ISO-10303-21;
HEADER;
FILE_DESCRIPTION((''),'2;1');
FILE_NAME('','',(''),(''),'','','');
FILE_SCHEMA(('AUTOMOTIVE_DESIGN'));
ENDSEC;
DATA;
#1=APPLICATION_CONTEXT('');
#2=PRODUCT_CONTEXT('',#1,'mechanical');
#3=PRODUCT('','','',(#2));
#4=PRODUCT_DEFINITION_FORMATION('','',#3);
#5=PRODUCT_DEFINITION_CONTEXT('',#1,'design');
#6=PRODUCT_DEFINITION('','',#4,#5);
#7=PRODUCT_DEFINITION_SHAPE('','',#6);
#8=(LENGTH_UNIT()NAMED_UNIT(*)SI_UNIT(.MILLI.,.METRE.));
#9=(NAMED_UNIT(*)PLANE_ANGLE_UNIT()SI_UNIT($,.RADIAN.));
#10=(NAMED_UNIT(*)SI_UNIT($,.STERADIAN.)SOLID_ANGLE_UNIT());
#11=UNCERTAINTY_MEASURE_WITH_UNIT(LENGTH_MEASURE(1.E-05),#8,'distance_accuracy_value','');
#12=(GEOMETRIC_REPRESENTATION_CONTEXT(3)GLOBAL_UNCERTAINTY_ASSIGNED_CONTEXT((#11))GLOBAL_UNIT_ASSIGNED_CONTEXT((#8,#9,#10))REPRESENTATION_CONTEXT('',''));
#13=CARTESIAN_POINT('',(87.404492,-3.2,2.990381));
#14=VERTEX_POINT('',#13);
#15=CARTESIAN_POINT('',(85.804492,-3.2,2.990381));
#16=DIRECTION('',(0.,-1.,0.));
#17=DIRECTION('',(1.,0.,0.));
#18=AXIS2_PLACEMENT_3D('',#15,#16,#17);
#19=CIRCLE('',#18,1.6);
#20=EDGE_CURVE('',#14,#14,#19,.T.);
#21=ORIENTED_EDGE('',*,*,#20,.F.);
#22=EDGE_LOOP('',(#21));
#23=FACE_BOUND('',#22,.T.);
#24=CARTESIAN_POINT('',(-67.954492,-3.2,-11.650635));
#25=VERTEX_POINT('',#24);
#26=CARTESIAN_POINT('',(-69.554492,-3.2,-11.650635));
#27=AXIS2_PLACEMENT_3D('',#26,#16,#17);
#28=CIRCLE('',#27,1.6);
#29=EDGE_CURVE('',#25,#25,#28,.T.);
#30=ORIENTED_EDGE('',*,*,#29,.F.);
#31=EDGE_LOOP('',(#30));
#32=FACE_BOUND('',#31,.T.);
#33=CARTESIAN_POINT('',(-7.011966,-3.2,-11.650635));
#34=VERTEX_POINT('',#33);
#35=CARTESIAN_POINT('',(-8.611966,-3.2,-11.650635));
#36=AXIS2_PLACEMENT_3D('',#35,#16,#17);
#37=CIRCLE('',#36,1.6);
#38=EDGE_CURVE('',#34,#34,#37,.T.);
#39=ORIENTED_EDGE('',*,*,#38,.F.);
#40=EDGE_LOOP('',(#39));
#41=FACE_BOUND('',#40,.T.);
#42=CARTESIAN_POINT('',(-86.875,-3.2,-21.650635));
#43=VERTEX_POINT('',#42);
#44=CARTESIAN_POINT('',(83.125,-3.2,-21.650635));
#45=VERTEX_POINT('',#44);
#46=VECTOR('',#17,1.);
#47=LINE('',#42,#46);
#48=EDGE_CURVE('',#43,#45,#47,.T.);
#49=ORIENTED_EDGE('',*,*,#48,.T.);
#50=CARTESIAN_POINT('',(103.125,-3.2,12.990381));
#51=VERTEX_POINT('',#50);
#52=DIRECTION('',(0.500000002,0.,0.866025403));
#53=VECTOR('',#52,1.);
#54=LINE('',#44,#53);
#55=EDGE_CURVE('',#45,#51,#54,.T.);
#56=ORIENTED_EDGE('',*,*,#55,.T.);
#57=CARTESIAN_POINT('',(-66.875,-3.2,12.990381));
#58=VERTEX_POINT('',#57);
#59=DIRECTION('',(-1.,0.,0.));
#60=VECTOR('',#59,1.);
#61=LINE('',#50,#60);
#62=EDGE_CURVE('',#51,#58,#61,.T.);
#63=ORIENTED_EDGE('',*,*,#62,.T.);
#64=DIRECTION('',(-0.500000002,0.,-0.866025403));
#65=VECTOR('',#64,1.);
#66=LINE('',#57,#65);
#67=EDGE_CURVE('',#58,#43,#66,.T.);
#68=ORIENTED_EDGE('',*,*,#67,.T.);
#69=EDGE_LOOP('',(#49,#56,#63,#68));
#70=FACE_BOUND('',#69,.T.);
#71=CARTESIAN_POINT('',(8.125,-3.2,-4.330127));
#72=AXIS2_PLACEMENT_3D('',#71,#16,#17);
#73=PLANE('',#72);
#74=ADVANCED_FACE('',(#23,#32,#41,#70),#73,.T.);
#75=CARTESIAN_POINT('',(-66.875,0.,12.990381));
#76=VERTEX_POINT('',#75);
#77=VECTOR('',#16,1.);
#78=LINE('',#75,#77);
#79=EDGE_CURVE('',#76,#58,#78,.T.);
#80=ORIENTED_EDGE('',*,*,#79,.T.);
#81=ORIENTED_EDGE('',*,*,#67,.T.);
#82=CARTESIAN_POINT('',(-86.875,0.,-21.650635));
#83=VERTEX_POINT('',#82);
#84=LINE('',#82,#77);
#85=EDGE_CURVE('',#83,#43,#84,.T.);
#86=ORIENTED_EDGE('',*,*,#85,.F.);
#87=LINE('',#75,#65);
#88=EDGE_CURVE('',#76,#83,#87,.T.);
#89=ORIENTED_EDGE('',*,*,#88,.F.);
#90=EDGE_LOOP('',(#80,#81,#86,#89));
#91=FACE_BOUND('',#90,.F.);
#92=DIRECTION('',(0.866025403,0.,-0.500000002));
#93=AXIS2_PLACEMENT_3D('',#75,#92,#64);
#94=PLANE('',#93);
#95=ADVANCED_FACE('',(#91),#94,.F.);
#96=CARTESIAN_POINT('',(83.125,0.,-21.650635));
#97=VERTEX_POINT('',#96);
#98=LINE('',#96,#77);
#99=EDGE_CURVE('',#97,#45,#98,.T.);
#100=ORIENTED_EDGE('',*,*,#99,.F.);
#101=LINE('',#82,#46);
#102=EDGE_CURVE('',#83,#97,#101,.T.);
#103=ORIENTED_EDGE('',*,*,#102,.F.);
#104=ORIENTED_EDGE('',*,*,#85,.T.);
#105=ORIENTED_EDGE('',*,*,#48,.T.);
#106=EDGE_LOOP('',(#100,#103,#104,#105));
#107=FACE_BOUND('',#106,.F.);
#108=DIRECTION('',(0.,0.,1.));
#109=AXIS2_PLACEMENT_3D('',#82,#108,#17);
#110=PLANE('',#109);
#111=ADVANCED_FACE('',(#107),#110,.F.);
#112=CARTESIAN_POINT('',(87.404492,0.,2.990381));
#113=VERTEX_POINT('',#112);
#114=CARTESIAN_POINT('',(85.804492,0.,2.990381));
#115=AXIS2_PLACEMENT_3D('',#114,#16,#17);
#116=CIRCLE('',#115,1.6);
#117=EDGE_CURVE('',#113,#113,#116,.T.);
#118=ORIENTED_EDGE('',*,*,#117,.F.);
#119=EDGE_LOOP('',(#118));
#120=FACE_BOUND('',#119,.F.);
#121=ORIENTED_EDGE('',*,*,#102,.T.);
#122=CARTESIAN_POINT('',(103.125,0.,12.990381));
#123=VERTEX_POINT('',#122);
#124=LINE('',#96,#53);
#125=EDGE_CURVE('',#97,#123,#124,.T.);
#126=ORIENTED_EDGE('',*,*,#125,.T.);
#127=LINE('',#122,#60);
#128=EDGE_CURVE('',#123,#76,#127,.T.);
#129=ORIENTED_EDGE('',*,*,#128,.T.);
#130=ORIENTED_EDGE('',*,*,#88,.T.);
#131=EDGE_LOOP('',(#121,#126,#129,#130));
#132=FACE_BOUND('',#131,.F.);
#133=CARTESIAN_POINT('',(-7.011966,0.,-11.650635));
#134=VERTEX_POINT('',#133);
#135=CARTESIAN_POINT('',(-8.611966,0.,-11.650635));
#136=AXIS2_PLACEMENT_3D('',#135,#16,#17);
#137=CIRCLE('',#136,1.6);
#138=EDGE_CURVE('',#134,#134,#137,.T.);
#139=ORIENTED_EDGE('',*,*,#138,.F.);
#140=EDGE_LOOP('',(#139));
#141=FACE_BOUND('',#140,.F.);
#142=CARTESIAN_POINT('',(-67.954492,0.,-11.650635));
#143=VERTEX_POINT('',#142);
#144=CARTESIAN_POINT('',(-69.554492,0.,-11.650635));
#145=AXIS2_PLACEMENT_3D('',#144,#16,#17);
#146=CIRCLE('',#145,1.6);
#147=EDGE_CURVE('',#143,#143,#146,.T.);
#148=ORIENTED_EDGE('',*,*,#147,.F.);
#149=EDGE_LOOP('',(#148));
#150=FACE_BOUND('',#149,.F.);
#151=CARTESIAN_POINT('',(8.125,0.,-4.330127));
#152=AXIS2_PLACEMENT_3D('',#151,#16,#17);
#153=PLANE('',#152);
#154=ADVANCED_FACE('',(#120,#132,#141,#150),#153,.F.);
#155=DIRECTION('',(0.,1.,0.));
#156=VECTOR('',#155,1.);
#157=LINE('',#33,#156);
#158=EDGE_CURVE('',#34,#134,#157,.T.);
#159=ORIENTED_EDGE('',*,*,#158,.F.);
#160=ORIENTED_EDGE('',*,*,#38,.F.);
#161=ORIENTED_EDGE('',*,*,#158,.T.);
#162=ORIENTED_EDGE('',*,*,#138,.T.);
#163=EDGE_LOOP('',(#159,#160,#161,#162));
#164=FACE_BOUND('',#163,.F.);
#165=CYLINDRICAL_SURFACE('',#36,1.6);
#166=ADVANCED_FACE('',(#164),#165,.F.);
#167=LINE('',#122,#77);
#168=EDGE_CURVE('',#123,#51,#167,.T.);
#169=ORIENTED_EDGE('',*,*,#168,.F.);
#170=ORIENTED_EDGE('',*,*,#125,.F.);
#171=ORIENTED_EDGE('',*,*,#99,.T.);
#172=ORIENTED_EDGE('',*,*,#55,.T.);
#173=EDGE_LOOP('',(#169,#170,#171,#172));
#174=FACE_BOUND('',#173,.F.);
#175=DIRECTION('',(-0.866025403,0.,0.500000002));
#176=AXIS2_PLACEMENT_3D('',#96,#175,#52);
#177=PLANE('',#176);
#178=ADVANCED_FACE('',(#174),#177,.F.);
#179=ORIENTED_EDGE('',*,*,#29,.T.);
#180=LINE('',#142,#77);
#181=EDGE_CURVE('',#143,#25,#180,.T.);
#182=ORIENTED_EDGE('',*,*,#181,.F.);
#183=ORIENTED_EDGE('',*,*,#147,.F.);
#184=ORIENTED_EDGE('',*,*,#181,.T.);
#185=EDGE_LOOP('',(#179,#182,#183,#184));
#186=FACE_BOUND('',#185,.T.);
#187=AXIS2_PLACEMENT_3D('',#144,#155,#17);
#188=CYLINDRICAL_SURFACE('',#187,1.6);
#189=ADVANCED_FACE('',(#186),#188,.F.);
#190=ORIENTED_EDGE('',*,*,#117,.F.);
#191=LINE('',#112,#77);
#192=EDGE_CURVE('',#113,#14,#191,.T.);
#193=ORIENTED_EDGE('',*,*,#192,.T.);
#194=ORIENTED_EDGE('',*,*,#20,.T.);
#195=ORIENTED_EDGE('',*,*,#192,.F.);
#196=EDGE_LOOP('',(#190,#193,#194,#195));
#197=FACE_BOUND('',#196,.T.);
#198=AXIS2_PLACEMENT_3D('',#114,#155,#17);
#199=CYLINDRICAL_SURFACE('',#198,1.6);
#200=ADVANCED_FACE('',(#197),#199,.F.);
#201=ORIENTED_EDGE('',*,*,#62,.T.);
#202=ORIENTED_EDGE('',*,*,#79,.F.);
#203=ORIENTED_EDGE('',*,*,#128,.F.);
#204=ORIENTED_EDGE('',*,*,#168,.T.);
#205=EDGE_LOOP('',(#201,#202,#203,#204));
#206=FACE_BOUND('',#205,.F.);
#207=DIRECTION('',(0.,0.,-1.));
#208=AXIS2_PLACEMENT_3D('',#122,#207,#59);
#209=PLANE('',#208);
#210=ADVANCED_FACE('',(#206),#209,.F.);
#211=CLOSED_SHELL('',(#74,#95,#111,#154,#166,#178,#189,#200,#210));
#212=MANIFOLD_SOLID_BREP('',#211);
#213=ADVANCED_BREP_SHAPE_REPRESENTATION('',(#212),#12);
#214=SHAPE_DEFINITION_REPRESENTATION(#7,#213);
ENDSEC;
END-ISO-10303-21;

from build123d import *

# Parameters (mm, degrees)
F0_R     = 1.6
F1_DEPTH = 3.2
F2_R     = 1.6
F3_DEPTH = 6


with BuildPart() as f1:
    # F0 (on Front) → F1 (new body)
    with BuildSketch(Plane.XZ):
        Polygon((83.125, -21.650635), (103.125, 12.990381), (-66.875, 12.990381), (-86.875, -21.650635), align=None)
        with Locations((-69.554492, -11.650635)):
            Circle(F0_R, mode=Mode.SUBTRACT)
        with Locations((85.804492, 2.990381)):
            Circle(F0_R, mode=Mode.SUBTRACT)
    extrude(amount=F1_DEPTH)

    # F2 (on face) → F3 (cut)
    with BuildSketch(Plane.XZ.offset(3.2)):
        with Locations((-8.611966, -11.650635)):
            Circle(F2_R)
    extrude(amount=-F3_DEPTH, mode=Mode.SUBTRACT)


solid = f1.part
